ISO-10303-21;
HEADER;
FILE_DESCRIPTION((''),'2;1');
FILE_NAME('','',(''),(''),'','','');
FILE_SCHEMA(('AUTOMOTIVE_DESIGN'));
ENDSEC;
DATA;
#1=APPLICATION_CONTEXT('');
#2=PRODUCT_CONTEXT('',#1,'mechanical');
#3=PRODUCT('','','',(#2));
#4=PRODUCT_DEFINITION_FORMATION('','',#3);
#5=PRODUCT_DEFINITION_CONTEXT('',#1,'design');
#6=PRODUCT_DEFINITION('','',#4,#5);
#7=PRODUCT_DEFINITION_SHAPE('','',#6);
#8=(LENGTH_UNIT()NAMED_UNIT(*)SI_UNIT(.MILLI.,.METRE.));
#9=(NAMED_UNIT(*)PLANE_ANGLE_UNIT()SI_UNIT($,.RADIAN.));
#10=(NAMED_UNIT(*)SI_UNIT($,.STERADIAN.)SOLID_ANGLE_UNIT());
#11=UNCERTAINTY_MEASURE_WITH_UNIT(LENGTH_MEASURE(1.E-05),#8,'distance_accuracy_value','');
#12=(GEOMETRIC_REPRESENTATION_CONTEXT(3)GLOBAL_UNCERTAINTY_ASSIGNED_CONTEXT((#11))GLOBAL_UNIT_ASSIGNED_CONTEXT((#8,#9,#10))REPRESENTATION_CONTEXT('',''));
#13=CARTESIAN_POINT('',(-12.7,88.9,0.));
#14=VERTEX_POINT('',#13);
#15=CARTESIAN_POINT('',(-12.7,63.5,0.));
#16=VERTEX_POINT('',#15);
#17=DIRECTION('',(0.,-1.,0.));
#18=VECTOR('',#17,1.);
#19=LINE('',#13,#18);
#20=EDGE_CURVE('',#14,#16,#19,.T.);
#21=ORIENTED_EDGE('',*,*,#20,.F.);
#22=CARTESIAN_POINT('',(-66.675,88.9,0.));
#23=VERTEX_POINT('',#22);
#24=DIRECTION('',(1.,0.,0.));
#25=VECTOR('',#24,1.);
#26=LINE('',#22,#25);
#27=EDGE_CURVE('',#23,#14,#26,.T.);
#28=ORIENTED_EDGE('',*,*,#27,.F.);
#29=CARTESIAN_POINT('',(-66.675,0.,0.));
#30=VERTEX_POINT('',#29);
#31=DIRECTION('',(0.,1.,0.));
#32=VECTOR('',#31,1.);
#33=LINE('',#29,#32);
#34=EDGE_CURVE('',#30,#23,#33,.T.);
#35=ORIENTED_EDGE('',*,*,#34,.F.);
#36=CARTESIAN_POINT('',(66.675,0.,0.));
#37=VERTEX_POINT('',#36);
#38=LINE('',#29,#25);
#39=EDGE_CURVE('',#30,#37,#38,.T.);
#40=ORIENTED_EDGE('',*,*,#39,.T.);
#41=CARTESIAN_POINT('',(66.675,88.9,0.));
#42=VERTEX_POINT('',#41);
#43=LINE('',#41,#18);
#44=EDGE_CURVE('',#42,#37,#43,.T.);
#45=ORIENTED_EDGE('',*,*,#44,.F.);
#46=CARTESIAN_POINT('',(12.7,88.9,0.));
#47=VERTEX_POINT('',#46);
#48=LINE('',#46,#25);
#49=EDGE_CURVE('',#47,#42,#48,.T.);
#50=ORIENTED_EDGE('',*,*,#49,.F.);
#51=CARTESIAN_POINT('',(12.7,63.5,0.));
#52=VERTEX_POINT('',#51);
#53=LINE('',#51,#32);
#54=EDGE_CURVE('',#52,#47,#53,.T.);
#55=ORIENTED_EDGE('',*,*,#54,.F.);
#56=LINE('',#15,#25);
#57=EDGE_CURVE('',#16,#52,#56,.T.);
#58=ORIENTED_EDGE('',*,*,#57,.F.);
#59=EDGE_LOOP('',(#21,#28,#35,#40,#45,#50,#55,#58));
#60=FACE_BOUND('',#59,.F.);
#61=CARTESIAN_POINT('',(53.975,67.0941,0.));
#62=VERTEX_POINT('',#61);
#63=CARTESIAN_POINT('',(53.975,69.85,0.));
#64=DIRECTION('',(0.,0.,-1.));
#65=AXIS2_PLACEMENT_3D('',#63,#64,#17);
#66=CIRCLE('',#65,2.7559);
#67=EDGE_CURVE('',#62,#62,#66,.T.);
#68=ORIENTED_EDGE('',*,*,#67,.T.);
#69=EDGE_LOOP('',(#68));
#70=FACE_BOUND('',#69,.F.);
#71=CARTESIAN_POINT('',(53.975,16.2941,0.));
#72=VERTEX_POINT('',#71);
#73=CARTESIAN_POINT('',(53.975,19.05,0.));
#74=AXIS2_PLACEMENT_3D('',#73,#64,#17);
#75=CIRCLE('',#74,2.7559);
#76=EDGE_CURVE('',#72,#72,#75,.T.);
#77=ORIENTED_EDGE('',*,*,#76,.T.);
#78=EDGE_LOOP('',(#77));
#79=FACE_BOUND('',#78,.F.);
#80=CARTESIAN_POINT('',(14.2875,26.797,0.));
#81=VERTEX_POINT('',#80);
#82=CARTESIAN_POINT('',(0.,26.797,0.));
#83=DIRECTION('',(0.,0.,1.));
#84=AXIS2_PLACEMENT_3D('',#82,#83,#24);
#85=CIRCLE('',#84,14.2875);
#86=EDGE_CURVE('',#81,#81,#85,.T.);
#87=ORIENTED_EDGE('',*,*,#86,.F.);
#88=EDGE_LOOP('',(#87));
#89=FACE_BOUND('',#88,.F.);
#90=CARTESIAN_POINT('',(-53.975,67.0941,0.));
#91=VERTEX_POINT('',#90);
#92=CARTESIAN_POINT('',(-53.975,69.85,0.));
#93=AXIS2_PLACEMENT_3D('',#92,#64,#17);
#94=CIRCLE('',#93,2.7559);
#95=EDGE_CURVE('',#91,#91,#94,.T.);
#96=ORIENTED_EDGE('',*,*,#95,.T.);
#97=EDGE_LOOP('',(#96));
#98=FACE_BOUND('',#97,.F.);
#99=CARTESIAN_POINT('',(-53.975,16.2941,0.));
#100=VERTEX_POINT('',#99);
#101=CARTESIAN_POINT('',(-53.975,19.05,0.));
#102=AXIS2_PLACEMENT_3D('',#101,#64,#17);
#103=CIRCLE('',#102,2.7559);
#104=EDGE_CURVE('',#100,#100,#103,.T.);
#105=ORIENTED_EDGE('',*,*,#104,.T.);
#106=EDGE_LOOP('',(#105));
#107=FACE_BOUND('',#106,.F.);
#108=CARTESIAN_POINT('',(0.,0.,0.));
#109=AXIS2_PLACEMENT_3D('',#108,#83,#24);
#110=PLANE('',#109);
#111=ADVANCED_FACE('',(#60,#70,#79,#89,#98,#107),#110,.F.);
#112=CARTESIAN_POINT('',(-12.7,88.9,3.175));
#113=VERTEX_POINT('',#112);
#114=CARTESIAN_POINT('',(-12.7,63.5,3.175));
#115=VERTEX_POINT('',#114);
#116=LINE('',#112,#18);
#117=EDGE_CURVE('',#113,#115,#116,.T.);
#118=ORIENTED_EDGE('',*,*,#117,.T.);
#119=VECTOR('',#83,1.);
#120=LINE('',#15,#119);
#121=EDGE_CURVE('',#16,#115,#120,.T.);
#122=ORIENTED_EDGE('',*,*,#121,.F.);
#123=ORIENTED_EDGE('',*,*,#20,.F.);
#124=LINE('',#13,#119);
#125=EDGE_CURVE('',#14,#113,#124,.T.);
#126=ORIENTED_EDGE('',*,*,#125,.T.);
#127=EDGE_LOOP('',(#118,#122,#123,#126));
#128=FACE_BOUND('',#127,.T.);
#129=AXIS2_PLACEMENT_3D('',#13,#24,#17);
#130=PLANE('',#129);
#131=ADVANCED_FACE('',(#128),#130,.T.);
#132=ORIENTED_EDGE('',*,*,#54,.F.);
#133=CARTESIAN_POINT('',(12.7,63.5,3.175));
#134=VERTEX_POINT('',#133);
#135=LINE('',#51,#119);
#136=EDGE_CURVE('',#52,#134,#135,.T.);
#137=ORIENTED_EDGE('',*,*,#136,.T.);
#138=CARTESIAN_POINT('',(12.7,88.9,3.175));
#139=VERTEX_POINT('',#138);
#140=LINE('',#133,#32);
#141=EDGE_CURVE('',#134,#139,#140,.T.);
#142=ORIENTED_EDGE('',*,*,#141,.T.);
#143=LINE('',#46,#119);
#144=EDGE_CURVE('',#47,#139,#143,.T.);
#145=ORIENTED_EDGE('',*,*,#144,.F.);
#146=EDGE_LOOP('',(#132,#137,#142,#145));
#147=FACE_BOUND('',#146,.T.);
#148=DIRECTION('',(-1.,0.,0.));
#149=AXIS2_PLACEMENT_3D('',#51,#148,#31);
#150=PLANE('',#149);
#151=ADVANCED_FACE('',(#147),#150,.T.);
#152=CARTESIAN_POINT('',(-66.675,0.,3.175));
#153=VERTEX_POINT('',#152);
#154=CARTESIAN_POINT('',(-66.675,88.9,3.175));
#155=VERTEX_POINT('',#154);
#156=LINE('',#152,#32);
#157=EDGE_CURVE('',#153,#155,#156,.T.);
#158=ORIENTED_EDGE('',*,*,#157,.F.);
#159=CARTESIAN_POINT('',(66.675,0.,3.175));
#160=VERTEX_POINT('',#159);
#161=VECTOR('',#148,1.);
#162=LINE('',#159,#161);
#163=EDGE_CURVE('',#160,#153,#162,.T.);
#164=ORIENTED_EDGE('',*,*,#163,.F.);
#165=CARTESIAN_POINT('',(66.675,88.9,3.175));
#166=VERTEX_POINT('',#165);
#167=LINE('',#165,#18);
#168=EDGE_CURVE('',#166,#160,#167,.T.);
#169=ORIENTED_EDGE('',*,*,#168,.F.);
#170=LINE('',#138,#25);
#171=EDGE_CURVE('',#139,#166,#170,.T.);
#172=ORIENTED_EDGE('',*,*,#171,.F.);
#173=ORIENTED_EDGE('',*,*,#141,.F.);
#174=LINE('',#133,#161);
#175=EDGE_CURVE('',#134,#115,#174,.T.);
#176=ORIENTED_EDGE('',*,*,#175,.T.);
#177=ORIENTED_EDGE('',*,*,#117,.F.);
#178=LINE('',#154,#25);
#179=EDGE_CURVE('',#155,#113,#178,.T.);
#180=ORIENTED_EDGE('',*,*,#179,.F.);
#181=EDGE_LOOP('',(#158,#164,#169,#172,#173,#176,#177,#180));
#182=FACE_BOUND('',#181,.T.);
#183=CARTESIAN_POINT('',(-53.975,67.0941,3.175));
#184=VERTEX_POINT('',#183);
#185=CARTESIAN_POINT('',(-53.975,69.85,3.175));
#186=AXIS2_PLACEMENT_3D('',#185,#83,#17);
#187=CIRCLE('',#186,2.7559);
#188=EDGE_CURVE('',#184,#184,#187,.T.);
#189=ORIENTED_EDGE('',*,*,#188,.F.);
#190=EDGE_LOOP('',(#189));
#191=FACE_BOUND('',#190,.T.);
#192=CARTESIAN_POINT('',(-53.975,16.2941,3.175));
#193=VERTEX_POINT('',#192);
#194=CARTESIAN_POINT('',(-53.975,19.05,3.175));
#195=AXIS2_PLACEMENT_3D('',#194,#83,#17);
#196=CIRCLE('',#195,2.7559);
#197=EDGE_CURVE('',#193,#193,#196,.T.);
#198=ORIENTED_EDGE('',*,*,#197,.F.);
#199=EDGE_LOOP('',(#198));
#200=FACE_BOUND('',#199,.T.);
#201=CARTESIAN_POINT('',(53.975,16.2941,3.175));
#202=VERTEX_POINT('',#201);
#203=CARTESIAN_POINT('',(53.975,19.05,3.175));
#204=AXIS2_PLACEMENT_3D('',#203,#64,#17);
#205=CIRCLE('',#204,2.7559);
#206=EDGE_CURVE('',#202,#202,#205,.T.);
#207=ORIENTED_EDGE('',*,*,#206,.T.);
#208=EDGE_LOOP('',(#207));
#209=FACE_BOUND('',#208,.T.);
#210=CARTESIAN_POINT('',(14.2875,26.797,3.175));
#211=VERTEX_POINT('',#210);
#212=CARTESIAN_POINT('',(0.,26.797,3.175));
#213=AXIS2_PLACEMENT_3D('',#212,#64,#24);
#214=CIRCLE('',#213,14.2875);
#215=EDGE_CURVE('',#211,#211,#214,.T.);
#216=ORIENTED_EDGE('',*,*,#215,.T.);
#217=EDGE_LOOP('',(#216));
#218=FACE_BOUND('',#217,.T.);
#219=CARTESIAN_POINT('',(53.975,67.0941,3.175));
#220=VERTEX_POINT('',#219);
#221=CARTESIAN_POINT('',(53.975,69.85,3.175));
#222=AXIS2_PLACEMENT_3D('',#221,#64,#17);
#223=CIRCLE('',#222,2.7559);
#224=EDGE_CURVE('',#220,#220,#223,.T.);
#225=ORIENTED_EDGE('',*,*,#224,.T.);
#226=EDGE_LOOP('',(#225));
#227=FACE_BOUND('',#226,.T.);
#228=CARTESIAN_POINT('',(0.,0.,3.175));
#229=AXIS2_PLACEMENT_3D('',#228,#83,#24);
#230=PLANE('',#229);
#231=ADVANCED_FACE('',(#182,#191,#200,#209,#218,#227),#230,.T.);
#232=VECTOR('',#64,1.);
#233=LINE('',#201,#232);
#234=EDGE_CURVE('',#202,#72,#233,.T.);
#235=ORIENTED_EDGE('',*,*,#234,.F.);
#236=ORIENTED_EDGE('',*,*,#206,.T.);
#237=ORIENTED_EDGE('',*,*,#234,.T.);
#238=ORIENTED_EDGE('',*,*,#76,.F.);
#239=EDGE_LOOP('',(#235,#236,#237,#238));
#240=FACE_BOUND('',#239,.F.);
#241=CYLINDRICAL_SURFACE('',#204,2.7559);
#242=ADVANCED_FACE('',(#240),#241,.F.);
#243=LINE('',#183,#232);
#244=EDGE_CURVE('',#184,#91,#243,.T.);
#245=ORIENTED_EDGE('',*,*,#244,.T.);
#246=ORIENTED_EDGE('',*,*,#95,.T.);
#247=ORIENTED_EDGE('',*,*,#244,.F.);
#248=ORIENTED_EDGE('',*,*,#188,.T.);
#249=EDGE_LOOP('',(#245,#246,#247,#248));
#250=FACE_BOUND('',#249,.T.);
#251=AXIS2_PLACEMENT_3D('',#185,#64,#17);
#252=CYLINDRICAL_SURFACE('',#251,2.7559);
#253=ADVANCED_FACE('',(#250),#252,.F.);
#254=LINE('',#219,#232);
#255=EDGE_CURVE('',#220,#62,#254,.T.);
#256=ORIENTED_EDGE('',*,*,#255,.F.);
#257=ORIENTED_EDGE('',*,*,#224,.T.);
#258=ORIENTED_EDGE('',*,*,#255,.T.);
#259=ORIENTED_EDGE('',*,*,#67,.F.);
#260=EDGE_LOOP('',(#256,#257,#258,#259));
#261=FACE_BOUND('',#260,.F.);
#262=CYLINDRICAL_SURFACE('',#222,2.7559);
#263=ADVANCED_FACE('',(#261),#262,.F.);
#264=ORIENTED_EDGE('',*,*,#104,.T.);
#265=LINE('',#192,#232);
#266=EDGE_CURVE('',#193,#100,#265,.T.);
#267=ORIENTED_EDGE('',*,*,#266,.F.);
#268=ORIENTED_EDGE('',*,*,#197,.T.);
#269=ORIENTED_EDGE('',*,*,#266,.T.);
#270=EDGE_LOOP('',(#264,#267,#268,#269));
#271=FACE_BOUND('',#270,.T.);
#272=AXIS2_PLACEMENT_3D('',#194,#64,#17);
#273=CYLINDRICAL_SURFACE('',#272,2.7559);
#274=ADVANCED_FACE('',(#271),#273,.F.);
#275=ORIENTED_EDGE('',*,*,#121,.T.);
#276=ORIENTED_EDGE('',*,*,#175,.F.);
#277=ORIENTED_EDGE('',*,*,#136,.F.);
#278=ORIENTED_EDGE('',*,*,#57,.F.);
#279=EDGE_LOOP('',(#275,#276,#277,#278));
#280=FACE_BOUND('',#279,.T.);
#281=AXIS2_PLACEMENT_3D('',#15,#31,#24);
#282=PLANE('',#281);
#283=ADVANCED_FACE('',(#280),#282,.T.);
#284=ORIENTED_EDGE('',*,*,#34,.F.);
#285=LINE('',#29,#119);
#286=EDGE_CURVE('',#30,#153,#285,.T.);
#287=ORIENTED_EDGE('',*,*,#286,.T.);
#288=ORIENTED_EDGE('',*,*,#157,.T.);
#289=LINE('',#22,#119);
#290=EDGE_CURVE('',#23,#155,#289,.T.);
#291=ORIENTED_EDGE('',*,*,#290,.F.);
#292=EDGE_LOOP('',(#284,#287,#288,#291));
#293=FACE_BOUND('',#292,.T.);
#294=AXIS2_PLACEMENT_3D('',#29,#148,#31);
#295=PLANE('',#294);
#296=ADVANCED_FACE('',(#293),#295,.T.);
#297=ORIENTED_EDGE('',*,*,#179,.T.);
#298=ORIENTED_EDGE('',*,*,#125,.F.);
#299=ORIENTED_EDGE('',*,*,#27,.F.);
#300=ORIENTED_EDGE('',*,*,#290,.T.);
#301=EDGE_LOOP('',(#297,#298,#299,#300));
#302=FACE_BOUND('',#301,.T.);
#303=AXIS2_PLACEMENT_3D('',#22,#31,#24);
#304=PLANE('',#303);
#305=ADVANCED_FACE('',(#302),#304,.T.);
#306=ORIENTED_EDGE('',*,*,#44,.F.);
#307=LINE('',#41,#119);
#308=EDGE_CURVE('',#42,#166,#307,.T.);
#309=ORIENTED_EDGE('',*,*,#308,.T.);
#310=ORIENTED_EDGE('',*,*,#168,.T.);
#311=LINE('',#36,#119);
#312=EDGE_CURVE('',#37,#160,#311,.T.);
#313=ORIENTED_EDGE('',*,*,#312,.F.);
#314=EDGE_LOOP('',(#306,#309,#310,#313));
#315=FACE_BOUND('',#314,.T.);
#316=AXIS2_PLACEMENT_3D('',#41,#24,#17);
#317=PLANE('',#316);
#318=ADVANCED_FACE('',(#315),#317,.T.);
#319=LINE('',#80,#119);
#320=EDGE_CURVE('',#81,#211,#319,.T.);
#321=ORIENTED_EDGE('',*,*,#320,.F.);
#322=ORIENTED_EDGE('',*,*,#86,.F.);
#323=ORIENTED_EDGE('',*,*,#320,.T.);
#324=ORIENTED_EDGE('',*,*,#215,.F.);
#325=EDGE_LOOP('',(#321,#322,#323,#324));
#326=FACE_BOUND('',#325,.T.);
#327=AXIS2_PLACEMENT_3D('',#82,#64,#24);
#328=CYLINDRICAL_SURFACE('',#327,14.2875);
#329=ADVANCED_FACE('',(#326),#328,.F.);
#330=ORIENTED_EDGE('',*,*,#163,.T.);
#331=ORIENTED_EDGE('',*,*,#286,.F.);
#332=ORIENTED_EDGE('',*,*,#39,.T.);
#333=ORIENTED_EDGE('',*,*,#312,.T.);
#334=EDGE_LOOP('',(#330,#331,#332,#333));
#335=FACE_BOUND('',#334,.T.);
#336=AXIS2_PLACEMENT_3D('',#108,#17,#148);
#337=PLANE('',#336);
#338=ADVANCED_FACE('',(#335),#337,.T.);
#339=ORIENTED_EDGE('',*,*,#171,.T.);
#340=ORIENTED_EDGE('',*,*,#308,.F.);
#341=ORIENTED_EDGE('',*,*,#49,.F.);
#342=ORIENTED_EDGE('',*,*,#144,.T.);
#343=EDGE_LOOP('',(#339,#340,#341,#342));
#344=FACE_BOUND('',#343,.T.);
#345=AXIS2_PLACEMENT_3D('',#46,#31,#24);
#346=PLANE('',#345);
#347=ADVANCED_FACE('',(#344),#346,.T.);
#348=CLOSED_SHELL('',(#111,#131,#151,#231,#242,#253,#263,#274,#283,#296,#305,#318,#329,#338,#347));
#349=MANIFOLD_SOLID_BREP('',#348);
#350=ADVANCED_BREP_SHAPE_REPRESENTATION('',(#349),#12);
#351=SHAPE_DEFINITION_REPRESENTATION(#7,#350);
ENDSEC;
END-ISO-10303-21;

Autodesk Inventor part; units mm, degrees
ref_plane "YZ Plane" through (0, 0, 0) normal (1, 0, 0) x (0, 1, 0)
ref_plane "XZ Plane" through (0, 0, 0) normal (0, 1, 0) x (-1, 0, 0)
ref_plane "XY Plane" through (0, 0, 0) normal (0, 0, 1) x (1, 0, 0)
sketch "Sketch1" plane through (0, 0, 0) normal (0, 0, 1) x (1, 0, 0)
  line L0 (0, -17.78) -> (0, 106.68) projected
  line L1 (66.675, 88.9) -> (66.675, 0)
  line L2 (66.675, 0) -> (-66.675, 0)
  line L3 (-66.675, 0) -> (-66.675, 88.9)
  line L4 (-93.345, 0) -> (93.345, 0) projected
  line L5 (-12.7, 88.9) -> (-12.7, 63.5)
  line L6 (-12.7, 63.5) -> (12.7, 63.5)
  line L7 (12.7, 63.5) -> (12.7, 88.9)
  line L8 (-66.675, 88.9) -> (-12.7, 88.9)
  line L9 (12.7, 88.9) -> (66.675, 88.9)
  line L10 (0, 0) -> (0, 26.797)
  circle A0 centre (0, 26.797) radius 14.2875
  dimension "d0" = 133.35
  dimension "d1" = 88.9
  dimension "d2" = 25.4
  dimension "d3" = 25.4
  dimension "d5" = 28.575
  dimension "d19" = 62.103
extrude "Extrusion1" add sketch "Sketch1" along normal blind 3.175 contours L2 L3 L8 L5 L6 L0 A0 | L0 A0 L6 L7 L9 L1 L2
sketch "Sketch2" plane through (0, 0, 3.175) normal (0, 0, 1) x (1, 0, 0)
  line L0 (66.675, 0) -> (66.675, 88.9) projected
  line L1 (-66.675, 0) -> (66.675, 0) projected
  line L2 (66.675, 88.9) -> (12.7, 88.9) projected
  point P0 (0, 0)
  point P1 (53.975, 69.85)
  point P2 (53.975, 19.05)
  dimension "d16" = 12.7
  dimension "d18" = 19.05
  dimension "d20" = 19.05
hole "Hole1" at (53.975, 69.85, 3.175) at (53.975, 19.05, 3.175) direction (0, 0, -1) diameter 5.5118 end through all clearance for "Flat Head Machine Screw" size "M5" standard "Ansi Metric M Profile"
mirror "Mirror1" about plane through (0, 0, 0) normal (1, 0, 0) of "Hole1"
equation "\"d20\" = d18"
properties part number "DIFF_PLATE_ROD_SHORT"
